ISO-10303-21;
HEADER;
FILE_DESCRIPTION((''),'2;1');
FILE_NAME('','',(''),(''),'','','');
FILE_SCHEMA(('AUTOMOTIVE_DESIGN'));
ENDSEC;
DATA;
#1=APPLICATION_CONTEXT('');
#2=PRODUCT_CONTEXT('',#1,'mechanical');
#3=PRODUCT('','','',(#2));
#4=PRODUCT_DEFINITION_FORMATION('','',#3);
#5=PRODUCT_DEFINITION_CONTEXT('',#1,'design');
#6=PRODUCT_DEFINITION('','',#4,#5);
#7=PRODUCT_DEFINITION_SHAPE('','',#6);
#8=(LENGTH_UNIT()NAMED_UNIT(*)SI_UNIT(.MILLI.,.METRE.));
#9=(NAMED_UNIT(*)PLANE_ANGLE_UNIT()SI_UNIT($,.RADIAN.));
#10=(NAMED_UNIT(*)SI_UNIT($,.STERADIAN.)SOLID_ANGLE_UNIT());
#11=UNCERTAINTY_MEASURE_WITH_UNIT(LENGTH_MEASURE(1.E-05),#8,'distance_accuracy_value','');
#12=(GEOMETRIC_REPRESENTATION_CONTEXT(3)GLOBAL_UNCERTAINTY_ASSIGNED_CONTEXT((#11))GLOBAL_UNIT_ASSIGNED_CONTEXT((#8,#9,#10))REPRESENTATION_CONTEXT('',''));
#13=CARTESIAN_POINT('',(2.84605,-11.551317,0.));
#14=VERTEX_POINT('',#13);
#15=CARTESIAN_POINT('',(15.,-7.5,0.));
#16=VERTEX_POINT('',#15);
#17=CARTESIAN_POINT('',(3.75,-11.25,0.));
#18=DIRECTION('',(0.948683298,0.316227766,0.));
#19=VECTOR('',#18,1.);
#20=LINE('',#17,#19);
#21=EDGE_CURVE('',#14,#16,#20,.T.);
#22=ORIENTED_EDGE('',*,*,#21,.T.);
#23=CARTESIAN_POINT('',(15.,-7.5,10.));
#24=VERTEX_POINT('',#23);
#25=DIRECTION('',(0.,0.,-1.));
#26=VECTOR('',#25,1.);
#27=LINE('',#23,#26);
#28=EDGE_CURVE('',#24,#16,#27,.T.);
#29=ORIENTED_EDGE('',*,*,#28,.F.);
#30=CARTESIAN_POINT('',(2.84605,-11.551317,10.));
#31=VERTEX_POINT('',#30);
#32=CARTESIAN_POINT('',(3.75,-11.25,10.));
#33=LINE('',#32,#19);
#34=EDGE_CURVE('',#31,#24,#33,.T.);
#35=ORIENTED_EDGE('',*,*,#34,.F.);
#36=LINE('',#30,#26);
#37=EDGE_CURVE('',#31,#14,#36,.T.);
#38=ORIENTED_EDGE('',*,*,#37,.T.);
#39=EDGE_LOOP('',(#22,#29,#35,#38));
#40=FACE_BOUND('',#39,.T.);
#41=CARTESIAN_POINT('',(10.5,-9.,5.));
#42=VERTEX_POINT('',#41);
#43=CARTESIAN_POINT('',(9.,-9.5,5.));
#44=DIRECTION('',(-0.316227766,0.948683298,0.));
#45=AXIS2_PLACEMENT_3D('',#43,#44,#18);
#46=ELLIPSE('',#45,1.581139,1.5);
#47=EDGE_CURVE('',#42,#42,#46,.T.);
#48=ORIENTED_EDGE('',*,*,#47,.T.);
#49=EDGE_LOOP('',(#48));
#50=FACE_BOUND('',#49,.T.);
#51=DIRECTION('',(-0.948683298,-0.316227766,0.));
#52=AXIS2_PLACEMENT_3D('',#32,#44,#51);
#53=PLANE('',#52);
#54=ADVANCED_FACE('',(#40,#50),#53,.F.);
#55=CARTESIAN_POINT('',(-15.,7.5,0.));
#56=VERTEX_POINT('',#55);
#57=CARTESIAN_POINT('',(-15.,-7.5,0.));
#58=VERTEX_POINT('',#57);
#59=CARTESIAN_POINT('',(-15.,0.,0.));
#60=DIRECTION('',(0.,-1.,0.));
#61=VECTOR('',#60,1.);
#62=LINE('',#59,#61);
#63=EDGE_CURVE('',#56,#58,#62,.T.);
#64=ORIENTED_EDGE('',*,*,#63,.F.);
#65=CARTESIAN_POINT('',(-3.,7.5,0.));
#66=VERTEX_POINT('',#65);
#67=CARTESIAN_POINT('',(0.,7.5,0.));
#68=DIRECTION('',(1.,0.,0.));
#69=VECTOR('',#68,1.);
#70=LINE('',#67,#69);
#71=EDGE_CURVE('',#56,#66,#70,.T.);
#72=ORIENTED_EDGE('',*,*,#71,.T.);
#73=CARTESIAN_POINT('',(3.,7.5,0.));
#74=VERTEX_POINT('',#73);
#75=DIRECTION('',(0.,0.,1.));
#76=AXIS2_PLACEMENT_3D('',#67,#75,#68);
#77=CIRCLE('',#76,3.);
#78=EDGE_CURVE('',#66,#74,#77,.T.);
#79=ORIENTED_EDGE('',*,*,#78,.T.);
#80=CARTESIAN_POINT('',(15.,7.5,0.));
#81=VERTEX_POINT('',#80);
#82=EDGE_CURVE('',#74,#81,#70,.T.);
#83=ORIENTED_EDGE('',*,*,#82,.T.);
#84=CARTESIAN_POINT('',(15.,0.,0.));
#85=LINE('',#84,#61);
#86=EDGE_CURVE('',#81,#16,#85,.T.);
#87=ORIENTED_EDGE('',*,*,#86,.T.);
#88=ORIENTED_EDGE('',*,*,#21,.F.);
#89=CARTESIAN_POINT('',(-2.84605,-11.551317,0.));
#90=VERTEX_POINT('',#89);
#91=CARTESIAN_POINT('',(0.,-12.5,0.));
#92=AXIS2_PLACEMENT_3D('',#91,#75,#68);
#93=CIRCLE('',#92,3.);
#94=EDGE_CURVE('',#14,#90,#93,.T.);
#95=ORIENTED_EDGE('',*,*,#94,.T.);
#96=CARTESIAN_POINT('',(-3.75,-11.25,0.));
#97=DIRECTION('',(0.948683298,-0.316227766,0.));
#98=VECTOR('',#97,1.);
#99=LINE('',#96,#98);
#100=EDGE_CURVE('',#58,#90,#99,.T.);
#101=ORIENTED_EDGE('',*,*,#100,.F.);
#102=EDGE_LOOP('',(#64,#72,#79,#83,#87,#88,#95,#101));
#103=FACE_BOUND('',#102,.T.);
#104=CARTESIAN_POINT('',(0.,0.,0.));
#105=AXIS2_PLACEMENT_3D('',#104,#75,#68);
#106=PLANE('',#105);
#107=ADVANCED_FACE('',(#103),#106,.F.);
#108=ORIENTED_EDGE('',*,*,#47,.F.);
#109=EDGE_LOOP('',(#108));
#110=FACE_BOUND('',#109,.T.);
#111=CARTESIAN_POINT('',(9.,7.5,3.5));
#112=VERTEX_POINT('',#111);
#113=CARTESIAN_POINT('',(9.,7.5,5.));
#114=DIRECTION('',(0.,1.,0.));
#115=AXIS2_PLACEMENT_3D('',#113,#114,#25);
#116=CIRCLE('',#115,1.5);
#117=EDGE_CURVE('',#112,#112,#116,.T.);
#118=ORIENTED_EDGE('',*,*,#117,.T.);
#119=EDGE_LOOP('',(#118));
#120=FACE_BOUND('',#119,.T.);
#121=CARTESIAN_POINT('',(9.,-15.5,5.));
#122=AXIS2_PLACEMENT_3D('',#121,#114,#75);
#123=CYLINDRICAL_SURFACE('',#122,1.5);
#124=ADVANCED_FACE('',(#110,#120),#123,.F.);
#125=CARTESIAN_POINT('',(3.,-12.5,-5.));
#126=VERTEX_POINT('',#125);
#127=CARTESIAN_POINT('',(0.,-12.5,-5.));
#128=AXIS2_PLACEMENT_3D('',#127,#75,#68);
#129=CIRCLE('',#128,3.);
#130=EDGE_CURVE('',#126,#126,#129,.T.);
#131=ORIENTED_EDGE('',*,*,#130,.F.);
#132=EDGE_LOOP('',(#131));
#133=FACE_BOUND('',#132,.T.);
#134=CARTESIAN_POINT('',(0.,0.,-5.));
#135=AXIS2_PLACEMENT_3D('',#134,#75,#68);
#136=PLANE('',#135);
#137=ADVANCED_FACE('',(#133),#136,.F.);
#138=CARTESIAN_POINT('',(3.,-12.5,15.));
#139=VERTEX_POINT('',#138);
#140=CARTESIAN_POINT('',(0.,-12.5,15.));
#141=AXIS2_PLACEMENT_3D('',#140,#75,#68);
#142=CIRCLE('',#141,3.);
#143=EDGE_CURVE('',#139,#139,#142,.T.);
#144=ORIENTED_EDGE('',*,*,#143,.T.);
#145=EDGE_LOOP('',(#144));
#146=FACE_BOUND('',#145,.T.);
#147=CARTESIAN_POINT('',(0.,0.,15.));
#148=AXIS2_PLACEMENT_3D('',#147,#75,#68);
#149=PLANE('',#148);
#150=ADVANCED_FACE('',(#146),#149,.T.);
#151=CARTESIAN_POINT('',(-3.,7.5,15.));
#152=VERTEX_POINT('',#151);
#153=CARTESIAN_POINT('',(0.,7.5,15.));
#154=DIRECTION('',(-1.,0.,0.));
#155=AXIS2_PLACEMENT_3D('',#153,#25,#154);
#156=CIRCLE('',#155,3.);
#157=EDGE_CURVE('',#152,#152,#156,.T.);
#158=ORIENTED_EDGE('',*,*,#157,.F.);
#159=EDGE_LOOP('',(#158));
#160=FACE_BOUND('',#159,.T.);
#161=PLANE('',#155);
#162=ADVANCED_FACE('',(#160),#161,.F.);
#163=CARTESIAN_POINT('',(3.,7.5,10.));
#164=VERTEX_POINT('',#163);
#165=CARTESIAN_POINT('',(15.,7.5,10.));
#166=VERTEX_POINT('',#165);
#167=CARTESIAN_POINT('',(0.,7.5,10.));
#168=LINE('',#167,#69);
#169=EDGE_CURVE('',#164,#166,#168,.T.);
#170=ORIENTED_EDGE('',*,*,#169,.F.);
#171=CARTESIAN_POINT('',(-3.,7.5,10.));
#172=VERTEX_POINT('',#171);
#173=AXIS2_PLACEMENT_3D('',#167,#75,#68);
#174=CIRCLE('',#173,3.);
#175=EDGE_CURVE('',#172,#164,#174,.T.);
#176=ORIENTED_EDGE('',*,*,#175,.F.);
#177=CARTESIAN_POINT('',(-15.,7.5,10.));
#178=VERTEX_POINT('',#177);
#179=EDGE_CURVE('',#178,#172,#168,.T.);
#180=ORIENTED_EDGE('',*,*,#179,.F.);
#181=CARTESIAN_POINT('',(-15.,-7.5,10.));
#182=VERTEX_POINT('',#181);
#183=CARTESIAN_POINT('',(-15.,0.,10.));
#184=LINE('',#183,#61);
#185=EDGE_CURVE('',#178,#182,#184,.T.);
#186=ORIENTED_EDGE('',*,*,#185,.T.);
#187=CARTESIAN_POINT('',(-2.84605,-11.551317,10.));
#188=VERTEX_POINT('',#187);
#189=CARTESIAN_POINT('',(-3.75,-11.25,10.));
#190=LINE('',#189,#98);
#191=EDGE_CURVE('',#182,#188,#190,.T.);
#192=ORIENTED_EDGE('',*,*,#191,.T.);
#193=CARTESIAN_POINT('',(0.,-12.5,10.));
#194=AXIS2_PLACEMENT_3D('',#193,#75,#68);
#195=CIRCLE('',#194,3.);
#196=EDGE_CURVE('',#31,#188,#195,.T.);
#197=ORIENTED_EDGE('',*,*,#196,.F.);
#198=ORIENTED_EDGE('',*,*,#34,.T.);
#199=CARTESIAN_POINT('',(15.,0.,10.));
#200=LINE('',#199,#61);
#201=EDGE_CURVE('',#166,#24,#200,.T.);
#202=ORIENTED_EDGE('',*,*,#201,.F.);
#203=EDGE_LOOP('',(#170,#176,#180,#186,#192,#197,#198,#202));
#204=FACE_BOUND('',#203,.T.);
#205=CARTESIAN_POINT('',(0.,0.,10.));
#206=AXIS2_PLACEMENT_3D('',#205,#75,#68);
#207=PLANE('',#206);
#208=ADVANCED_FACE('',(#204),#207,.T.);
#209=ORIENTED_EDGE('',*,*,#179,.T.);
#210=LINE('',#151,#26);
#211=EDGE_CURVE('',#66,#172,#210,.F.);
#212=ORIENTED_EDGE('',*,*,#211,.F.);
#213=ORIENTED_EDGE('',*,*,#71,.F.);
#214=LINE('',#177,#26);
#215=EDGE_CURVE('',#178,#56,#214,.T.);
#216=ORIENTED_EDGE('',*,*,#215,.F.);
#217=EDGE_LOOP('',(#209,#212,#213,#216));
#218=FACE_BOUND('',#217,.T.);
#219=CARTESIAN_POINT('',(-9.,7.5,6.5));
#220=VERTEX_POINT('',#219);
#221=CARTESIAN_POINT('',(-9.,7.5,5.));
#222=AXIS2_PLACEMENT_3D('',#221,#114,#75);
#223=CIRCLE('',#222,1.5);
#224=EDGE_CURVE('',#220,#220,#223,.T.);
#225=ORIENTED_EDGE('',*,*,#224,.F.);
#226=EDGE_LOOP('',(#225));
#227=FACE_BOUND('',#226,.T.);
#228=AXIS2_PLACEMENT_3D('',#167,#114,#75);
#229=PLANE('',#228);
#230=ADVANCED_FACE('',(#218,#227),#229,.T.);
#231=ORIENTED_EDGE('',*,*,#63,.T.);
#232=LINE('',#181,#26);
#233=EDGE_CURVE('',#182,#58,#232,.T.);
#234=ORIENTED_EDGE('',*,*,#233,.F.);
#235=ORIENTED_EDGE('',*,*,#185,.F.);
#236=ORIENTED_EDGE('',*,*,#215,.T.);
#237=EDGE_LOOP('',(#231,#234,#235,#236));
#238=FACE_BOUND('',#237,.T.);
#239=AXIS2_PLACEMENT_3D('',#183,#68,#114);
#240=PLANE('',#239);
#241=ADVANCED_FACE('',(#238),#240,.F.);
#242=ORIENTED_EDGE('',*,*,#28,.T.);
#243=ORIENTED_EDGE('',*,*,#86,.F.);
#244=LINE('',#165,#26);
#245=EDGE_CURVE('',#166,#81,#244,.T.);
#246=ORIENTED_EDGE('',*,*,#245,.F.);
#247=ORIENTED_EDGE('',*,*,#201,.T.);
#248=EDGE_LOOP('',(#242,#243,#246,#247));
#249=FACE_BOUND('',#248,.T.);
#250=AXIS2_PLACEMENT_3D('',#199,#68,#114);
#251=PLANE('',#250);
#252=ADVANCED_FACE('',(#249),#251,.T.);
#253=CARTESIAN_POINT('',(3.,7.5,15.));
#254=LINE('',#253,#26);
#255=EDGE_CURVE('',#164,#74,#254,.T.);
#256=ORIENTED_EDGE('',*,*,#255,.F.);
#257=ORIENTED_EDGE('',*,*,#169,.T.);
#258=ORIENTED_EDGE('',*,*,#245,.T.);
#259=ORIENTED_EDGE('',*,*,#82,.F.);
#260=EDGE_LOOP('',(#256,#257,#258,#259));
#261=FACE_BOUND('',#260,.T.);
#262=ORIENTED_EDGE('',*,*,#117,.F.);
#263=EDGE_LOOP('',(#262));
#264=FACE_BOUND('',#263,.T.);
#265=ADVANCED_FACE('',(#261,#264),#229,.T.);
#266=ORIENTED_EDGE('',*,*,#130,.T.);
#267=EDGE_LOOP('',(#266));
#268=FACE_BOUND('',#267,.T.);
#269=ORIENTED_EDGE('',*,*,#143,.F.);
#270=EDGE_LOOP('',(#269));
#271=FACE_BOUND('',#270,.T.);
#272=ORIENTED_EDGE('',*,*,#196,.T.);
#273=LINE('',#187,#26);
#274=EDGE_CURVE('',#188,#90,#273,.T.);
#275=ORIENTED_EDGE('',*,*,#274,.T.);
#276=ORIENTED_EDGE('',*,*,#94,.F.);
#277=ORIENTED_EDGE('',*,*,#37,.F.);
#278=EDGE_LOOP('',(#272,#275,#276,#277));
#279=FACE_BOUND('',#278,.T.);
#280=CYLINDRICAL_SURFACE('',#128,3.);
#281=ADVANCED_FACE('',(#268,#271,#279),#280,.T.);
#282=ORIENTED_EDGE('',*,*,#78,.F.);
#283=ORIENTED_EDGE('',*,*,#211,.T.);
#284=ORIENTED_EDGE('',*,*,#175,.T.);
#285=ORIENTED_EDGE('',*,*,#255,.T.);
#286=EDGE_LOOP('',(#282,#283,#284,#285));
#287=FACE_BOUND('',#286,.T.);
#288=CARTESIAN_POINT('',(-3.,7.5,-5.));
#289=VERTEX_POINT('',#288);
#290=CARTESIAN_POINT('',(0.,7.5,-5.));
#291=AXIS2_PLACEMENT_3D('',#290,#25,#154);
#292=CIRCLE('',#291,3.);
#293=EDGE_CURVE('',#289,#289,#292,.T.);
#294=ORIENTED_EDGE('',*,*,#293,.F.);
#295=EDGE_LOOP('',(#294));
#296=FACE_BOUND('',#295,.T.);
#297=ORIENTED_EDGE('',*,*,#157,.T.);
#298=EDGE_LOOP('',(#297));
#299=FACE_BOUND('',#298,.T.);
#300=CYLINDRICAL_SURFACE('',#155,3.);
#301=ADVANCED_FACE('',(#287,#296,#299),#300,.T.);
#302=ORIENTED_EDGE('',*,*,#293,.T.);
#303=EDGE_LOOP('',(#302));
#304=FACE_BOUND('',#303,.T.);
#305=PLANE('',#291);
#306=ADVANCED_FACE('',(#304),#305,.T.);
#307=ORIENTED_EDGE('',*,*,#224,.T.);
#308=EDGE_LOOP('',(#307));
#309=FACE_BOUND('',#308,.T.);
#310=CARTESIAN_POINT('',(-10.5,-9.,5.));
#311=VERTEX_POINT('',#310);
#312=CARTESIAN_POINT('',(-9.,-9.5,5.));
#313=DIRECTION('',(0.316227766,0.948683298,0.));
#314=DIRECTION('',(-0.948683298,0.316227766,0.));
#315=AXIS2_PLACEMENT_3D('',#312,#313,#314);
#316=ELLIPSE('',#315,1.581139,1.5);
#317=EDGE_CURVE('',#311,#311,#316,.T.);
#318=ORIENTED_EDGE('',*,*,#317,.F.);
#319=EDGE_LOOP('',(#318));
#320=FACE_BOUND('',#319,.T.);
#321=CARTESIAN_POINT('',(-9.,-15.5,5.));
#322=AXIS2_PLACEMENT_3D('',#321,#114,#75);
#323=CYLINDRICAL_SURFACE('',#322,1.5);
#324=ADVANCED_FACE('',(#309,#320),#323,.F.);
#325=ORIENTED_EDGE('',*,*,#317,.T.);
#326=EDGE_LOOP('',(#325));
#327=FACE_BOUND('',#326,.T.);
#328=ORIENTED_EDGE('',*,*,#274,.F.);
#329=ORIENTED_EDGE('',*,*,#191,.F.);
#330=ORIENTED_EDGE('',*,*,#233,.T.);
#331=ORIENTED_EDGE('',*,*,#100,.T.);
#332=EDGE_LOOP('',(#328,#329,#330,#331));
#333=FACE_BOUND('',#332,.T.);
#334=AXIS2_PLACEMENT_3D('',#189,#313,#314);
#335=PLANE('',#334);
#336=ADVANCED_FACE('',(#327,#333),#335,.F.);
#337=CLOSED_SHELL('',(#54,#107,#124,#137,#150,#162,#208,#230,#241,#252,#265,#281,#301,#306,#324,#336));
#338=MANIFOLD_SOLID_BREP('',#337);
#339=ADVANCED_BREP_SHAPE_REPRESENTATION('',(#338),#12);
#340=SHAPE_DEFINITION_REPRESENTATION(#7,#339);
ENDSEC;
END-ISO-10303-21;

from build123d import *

# Parameters (mm, degrees)
BOSS_EXTRUDE1_DEPTH      = 10
BOSS_EXTRUDE2_DEPTH      = 15
BOSS_EXTRUDE2_DEPTH_BACK = 5
SKETCH2_R                = 1.5
CUT_EXTRUDE1_DEPTH       = 32.288975694
BOSS_EXTRUDE3_DEPTH      = 5
BOSS_EXTRUDE3_DEPTH_BACK = 15
SKETCH3_R                = 3


with BuildPart() as part:
    # Sketch1 → Boss-Extrude1 (new body)
    with BuildSketch(Plane.XY):
        with BuildLine():
            Line((-15, 7.5), (-15, -7.5))
            Line((-15, -7.5), (-2.846049894, -11.551316702))
            ThreePointArc((-2.846049894, -11.551316702), (0, -9.5), (2.846049894, -11.551316702))
            Line((2.846049894, -11.551316702), (15, -7.5))
            Line((15, -7.5), (15, 7.5))
            Line((15, 7.5), (-15, 7.5))
        make_face()
    extrude(amount=BOSS_EXTRUDE1_DEPTH)

    # Sketch1<3> → Boss-Extrude2 (add, two sides: drawn at the far end of the back side and taken through both)
    with BuildSketch(Plane.XY.offset(-BOSS_EXTRUDE2_DEPTH_BACK)):
        with BuildLine():
            ThreePointArc((2.846049894, -11.551316702), (0, -9.5), (-2.846049894, -11.551316702))
            ThreePointArc((-2.846049894, -11.551316702), (-0.480546729, -15.461262373), (3, -12.5))
            ThreePointArc((3, -12.5), (2.961262373, -12.019453271), (2.846049894, -11.551316702))
        make_face()
    extrude(amount=BOSS_EXTRUDE2_DEPTH + BOSS_EXTRUDE2_DEPTH_BACK)

    # Sketch2 → Cut-Extrude1 (cut, through all)
    with BuildSketch(Plane(origin=(0, 7.5, 0), x_dir=(1, 0, 0), z_dir=(0, 1, 0))):
        with Locations((-9, -5)):
            Circle(SKETCH2_R)
        with Locations((9, -5)):
            Circle(SKETCH2_R)
    extrude(amount=-CUT_EXTRUDE1_DEPTH, mode=Mode.SUBTRACT)

    # Sketch3 → Boss-Extrude3 (add, two sides: drawn at the far end of the back side and taken through both)
    with BuildSketch(Plane(origin=(0, 0, 0), x_dir=(-1, 0, 0), z_dir=(0, 0, -1)).offset(-BOSS_EXTRUDE3_DEPTH_BACK)):
        with Locations((0, 7.5)):
            Circle(SKETCH3_R)
    extrude(amount=BOSS_EXTRUDE3_DEPTH + BOSS_EXTRUDE3_DEPTH_BACK)


solid = part.part
